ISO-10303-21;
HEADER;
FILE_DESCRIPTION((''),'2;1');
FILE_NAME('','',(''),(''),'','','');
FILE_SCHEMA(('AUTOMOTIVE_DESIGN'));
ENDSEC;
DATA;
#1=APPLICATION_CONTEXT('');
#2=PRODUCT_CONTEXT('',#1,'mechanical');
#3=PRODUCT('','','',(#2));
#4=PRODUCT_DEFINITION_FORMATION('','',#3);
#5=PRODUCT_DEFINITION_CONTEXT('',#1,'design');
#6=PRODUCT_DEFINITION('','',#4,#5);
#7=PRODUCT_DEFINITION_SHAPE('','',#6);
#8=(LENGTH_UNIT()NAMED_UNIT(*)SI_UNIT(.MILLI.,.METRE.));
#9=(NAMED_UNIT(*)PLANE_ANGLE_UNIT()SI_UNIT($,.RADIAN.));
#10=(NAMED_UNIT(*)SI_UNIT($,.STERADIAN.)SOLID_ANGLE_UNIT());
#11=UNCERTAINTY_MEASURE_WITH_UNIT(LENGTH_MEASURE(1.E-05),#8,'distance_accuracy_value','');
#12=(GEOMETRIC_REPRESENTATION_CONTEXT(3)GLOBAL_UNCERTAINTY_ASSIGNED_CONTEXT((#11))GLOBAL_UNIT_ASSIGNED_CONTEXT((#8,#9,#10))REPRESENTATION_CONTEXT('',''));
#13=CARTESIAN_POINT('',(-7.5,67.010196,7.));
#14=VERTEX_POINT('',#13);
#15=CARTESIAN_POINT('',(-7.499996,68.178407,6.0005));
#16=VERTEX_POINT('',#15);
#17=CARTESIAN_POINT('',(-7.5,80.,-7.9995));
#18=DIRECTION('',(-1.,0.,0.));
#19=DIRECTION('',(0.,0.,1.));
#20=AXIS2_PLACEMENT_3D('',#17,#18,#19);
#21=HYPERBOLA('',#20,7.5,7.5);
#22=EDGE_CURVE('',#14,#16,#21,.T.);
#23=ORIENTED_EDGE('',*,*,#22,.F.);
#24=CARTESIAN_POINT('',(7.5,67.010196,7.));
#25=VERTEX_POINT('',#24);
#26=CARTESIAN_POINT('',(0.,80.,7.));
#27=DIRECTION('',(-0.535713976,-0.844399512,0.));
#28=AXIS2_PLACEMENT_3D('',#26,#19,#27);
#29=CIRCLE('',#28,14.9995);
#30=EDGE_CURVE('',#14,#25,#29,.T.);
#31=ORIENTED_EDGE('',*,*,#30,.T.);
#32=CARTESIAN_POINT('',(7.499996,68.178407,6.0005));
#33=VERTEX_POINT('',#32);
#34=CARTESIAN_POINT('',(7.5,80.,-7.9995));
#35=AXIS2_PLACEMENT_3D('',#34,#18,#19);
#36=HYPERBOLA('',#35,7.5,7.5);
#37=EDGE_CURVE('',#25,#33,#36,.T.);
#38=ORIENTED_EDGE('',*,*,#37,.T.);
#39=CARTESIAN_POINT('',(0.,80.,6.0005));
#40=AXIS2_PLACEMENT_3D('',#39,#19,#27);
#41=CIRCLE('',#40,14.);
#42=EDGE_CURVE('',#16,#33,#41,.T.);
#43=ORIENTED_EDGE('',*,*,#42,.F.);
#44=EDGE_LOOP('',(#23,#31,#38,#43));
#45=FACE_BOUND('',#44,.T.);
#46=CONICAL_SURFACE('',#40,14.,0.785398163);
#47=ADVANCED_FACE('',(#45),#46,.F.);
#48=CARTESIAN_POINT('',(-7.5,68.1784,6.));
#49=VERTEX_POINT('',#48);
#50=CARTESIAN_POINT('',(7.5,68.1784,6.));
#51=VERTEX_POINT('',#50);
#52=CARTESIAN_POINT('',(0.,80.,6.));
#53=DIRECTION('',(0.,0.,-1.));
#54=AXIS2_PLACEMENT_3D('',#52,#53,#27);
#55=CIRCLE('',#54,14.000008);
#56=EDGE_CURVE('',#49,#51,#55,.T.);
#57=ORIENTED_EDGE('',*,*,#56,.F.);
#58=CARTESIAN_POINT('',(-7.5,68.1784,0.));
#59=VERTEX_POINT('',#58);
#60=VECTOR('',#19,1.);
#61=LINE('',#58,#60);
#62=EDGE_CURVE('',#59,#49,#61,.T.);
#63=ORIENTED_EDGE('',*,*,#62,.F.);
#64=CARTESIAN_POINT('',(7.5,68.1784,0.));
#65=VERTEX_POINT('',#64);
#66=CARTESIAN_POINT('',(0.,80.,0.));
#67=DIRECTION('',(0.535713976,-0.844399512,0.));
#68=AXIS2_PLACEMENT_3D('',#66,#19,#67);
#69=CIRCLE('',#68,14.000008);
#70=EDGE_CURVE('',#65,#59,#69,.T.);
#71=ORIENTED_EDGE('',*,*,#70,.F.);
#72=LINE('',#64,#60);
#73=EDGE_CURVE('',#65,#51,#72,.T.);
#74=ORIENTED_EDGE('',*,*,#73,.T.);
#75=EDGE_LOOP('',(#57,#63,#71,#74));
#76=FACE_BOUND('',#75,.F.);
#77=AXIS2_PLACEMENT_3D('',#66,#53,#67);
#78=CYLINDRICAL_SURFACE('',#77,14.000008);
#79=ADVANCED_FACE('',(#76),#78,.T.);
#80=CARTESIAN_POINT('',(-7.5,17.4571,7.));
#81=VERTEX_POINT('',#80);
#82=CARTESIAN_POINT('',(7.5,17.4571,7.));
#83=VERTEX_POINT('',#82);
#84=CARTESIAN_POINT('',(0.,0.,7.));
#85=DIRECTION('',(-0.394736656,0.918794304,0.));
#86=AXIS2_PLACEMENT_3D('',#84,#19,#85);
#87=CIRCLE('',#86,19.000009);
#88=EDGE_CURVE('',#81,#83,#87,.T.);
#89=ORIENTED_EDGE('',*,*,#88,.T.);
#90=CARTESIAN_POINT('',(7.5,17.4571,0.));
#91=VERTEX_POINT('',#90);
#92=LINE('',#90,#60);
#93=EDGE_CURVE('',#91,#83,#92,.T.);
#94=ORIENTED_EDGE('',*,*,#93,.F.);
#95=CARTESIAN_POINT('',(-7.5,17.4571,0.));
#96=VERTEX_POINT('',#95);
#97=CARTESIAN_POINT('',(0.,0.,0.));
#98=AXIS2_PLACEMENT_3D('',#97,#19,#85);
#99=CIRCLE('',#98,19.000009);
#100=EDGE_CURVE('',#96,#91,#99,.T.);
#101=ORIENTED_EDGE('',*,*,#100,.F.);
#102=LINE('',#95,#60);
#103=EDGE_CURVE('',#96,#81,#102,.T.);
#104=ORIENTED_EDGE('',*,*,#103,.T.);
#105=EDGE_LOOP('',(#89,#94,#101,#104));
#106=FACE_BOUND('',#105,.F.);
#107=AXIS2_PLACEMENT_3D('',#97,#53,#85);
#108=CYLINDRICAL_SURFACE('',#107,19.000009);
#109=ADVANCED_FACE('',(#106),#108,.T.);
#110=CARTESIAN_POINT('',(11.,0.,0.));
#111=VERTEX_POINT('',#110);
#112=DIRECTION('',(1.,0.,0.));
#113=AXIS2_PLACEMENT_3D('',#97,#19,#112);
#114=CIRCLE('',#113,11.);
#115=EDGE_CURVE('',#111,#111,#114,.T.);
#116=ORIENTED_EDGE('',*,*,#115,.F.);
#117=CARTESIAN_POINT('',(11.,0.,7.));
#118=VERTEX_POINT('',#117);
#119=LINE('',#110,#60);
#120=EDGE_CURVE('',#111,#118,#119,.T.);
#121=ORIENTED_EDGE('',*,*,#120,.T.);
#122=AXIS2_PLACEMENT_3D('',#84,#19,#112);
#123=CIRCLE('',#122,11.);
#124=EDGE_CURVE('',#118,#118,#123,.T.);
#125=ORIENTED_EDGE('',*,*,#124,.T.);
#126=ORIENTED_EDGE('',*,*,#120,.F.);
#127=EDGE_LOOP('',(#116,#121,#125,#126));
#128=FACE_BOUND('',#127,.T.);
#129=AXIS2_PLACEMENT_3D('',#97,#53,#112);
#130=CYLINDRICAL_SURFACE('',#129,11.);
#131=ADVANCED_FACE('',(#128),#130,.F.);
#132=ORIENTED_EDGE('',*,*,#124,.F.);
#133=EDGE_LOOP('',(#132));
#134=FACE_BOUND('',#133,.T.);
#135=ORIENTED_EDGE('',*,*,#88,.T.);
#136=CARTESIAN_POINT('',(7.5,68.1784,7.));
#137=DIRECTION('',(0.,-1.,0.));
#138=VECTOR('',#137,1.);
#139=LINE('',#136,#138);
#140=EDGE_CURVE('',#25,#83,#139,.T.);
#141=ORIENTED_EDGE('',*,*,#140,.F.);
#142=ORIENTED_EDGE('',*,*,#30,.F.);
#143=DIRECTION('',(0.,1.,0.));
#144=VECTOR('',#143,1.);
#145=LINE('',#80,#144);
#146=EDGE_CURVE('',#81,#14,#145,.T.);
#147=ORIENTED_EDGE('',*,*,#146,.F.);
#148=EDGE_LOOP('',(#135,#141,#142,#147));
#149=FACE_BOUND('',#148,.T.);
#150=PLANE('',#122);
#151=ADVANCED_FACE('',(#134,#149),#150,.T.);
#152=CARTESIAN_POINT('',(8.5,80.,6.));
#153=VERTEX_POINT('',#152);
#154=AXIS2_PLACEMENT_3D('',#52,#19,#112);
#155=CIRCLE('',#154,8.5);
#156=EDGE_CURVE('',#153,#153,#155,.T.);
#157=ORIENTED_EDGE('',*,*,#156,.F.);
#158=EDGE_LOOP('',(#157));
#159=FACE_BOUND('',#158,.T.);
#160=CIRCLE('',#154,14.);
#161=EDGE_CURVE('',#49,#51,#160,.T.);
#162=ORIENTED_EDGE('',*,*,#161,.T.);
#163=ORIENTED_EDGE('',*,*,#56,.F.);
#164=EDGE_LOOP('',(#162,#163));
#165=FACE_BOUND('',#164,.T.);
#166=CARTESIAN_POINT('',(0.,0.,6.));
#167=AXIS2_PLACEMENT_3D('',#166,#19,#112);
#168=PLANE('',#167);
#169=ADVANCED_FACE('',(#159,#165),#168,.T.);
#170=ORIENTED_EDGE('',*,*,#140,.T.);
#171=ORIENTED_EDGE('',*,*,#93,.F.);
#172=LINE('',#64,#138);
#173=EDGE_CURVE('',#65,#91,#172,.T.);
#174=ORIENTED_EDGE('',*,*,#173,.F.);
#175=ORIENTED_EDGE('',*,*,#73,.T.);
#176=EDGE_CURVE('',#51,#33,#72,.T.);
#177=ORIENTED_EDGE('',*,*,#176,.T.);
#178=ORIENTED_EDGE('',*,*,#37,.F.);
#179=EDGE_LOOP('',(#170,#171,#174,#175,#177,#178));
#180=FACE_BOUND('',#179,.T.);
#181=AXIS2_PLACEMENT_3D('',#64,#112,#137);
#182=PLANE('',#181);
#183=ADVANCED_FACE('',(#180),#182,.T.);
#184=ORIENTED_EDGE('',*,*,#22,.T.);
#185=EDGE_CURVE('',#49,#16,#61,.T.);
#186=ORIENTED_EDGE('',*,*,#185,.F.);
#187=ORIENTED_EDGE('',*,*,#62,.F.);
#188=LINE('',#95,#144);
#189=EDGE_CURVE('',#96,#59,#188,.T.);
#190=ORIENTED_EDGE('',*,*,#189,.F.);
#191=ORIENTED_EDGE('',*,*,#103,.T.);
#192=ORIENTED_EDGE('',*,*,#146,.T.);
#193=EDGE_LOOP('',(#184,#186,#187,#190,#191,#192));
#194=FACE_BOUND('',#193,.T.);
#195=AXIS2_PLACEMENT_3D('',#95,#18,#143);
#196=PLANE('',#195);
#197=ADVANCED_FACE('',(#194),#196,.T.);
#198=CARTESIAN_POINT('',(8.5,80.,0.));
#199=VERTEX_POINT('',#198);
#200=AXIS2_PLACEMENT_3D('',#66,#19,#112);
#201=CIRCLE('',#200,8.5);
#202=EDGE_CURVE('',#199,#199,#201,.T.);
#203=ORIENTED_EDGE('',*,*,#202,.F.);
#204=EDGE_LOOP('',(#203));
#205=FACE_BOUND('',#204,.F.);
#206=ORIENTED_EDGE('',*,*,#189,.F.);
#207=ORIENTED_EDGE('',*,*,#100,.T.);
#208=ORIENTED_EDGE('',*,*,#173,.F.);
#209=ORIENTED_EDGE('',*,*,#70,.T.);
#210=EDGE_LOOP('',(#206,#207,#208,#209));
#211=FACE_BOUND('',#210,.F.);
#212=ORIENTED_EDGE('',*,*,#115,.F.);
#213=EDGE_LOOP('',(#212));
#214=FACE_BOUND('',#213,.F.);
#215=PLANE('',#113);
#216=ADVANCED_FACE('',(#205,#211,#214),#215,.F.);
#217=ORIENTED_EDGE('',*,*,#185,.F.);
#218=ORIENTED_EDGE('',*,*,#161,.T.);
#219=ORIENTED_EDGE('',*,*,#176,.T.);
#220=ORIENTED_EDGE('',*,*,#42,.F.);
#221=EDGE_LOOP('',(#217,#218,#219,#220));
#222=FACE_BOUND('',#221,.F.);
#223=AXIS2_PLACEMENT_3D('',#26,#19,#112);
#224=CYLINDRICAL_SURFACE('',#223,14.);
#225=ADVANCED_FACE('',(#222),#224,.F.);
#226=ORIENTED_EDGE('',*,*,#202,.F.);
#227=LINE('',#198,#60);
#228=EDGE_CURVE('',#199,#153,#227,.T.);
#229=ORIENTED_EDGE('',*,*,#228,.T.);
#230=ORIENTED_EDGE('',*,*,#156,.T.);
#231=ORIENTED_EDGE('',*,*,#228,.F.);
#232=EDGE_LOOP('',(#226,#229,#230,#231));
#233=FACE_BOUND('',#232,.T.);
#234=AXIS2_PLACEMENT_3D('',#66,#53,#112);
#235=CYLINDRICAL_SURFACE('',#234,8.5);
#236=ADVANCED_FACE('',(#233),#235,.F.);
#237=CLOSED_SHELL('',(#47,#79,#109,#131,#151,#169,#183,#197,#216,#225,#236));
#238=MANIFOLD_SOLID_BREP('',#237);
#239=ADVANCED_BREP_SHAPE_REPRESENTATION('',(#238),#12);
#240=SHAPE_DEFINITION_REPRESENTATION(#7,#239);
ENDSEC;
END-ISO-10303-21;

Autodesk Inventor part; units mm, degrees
ref_plane "YZ Plane" through (0, 0, 0) normal (1, 0, 0) x (0, 1, 0)
ref_plane "XZ Plane" through (0, 0, 0) normal (0, 1, 0) x (-1, 0, 0)
ref_plane "XY Plane" through (0, 0, 0) normal (0, 0, 1) x (1, 0, 0)
sketch "Sketch1" plane through (0, 0, 0) normal (0, 0, 1) x (1, 0, 0)
  line L0 (0, 0) -> (0, 80) construction
  circle A0 centre (0, 0) radius 11
  circle A1 centre (0, 80) radius 8.5
  line L1 (7.5, 17.4571) -> (-7.5, 17.4571)
  line L2 (-7.5, 17.4571) -> (-7.5, 68.1784)
  line L3 (-7.5, 68.1784) -> (7.5, 68.1784)
  line L4 (7.5, 68.1784) -> (7.5, 17.4571)
  line L5 (7.5, 17.4571) -> (-7.5, 68.1784) construction
  line L6 (-7.5, 17.4571) -> (7.5, 68.1784) construction
  arc A2 (7.5, 68.1784) -> (-7.5, 68.1784) centre (0, 80) ccw
  arc A3 (-7.5, 17.4571) -> (7.5, 17.4571) centre (0, 0) ccw
  point P0 (0, 42.8177)
  point P1 (0, 42.8177)
  dimension "d0" = 22
  dimension "d1" = 17
  dimension "d2" = 80
  dimension "d3" = 5.5
  dimension "d4" = 8
  dimension "d5" = 15
extrude "Extrusion1" add sketch "Sketch1" along normal blind 7
sketch "Sketch2" plane through (0, 0, 7) normal (0, 0, 1) x (1, 0, 0)
  circle A0 centre (0, 80) radius 8.5 projected
  arc A1 (7.5, 68.1784) -> (-7.5, 68.1784) centre (0, 80) ccw projected
  circle A2 centre (0, 80) radius 14
extrude "Extrusion2" cut sketch "Sketch2" against normal blind 1
chamfer "Chamfer1" distance 1 angle 45 1 edges at (0, 66, 7)
properties part number "con rod"
